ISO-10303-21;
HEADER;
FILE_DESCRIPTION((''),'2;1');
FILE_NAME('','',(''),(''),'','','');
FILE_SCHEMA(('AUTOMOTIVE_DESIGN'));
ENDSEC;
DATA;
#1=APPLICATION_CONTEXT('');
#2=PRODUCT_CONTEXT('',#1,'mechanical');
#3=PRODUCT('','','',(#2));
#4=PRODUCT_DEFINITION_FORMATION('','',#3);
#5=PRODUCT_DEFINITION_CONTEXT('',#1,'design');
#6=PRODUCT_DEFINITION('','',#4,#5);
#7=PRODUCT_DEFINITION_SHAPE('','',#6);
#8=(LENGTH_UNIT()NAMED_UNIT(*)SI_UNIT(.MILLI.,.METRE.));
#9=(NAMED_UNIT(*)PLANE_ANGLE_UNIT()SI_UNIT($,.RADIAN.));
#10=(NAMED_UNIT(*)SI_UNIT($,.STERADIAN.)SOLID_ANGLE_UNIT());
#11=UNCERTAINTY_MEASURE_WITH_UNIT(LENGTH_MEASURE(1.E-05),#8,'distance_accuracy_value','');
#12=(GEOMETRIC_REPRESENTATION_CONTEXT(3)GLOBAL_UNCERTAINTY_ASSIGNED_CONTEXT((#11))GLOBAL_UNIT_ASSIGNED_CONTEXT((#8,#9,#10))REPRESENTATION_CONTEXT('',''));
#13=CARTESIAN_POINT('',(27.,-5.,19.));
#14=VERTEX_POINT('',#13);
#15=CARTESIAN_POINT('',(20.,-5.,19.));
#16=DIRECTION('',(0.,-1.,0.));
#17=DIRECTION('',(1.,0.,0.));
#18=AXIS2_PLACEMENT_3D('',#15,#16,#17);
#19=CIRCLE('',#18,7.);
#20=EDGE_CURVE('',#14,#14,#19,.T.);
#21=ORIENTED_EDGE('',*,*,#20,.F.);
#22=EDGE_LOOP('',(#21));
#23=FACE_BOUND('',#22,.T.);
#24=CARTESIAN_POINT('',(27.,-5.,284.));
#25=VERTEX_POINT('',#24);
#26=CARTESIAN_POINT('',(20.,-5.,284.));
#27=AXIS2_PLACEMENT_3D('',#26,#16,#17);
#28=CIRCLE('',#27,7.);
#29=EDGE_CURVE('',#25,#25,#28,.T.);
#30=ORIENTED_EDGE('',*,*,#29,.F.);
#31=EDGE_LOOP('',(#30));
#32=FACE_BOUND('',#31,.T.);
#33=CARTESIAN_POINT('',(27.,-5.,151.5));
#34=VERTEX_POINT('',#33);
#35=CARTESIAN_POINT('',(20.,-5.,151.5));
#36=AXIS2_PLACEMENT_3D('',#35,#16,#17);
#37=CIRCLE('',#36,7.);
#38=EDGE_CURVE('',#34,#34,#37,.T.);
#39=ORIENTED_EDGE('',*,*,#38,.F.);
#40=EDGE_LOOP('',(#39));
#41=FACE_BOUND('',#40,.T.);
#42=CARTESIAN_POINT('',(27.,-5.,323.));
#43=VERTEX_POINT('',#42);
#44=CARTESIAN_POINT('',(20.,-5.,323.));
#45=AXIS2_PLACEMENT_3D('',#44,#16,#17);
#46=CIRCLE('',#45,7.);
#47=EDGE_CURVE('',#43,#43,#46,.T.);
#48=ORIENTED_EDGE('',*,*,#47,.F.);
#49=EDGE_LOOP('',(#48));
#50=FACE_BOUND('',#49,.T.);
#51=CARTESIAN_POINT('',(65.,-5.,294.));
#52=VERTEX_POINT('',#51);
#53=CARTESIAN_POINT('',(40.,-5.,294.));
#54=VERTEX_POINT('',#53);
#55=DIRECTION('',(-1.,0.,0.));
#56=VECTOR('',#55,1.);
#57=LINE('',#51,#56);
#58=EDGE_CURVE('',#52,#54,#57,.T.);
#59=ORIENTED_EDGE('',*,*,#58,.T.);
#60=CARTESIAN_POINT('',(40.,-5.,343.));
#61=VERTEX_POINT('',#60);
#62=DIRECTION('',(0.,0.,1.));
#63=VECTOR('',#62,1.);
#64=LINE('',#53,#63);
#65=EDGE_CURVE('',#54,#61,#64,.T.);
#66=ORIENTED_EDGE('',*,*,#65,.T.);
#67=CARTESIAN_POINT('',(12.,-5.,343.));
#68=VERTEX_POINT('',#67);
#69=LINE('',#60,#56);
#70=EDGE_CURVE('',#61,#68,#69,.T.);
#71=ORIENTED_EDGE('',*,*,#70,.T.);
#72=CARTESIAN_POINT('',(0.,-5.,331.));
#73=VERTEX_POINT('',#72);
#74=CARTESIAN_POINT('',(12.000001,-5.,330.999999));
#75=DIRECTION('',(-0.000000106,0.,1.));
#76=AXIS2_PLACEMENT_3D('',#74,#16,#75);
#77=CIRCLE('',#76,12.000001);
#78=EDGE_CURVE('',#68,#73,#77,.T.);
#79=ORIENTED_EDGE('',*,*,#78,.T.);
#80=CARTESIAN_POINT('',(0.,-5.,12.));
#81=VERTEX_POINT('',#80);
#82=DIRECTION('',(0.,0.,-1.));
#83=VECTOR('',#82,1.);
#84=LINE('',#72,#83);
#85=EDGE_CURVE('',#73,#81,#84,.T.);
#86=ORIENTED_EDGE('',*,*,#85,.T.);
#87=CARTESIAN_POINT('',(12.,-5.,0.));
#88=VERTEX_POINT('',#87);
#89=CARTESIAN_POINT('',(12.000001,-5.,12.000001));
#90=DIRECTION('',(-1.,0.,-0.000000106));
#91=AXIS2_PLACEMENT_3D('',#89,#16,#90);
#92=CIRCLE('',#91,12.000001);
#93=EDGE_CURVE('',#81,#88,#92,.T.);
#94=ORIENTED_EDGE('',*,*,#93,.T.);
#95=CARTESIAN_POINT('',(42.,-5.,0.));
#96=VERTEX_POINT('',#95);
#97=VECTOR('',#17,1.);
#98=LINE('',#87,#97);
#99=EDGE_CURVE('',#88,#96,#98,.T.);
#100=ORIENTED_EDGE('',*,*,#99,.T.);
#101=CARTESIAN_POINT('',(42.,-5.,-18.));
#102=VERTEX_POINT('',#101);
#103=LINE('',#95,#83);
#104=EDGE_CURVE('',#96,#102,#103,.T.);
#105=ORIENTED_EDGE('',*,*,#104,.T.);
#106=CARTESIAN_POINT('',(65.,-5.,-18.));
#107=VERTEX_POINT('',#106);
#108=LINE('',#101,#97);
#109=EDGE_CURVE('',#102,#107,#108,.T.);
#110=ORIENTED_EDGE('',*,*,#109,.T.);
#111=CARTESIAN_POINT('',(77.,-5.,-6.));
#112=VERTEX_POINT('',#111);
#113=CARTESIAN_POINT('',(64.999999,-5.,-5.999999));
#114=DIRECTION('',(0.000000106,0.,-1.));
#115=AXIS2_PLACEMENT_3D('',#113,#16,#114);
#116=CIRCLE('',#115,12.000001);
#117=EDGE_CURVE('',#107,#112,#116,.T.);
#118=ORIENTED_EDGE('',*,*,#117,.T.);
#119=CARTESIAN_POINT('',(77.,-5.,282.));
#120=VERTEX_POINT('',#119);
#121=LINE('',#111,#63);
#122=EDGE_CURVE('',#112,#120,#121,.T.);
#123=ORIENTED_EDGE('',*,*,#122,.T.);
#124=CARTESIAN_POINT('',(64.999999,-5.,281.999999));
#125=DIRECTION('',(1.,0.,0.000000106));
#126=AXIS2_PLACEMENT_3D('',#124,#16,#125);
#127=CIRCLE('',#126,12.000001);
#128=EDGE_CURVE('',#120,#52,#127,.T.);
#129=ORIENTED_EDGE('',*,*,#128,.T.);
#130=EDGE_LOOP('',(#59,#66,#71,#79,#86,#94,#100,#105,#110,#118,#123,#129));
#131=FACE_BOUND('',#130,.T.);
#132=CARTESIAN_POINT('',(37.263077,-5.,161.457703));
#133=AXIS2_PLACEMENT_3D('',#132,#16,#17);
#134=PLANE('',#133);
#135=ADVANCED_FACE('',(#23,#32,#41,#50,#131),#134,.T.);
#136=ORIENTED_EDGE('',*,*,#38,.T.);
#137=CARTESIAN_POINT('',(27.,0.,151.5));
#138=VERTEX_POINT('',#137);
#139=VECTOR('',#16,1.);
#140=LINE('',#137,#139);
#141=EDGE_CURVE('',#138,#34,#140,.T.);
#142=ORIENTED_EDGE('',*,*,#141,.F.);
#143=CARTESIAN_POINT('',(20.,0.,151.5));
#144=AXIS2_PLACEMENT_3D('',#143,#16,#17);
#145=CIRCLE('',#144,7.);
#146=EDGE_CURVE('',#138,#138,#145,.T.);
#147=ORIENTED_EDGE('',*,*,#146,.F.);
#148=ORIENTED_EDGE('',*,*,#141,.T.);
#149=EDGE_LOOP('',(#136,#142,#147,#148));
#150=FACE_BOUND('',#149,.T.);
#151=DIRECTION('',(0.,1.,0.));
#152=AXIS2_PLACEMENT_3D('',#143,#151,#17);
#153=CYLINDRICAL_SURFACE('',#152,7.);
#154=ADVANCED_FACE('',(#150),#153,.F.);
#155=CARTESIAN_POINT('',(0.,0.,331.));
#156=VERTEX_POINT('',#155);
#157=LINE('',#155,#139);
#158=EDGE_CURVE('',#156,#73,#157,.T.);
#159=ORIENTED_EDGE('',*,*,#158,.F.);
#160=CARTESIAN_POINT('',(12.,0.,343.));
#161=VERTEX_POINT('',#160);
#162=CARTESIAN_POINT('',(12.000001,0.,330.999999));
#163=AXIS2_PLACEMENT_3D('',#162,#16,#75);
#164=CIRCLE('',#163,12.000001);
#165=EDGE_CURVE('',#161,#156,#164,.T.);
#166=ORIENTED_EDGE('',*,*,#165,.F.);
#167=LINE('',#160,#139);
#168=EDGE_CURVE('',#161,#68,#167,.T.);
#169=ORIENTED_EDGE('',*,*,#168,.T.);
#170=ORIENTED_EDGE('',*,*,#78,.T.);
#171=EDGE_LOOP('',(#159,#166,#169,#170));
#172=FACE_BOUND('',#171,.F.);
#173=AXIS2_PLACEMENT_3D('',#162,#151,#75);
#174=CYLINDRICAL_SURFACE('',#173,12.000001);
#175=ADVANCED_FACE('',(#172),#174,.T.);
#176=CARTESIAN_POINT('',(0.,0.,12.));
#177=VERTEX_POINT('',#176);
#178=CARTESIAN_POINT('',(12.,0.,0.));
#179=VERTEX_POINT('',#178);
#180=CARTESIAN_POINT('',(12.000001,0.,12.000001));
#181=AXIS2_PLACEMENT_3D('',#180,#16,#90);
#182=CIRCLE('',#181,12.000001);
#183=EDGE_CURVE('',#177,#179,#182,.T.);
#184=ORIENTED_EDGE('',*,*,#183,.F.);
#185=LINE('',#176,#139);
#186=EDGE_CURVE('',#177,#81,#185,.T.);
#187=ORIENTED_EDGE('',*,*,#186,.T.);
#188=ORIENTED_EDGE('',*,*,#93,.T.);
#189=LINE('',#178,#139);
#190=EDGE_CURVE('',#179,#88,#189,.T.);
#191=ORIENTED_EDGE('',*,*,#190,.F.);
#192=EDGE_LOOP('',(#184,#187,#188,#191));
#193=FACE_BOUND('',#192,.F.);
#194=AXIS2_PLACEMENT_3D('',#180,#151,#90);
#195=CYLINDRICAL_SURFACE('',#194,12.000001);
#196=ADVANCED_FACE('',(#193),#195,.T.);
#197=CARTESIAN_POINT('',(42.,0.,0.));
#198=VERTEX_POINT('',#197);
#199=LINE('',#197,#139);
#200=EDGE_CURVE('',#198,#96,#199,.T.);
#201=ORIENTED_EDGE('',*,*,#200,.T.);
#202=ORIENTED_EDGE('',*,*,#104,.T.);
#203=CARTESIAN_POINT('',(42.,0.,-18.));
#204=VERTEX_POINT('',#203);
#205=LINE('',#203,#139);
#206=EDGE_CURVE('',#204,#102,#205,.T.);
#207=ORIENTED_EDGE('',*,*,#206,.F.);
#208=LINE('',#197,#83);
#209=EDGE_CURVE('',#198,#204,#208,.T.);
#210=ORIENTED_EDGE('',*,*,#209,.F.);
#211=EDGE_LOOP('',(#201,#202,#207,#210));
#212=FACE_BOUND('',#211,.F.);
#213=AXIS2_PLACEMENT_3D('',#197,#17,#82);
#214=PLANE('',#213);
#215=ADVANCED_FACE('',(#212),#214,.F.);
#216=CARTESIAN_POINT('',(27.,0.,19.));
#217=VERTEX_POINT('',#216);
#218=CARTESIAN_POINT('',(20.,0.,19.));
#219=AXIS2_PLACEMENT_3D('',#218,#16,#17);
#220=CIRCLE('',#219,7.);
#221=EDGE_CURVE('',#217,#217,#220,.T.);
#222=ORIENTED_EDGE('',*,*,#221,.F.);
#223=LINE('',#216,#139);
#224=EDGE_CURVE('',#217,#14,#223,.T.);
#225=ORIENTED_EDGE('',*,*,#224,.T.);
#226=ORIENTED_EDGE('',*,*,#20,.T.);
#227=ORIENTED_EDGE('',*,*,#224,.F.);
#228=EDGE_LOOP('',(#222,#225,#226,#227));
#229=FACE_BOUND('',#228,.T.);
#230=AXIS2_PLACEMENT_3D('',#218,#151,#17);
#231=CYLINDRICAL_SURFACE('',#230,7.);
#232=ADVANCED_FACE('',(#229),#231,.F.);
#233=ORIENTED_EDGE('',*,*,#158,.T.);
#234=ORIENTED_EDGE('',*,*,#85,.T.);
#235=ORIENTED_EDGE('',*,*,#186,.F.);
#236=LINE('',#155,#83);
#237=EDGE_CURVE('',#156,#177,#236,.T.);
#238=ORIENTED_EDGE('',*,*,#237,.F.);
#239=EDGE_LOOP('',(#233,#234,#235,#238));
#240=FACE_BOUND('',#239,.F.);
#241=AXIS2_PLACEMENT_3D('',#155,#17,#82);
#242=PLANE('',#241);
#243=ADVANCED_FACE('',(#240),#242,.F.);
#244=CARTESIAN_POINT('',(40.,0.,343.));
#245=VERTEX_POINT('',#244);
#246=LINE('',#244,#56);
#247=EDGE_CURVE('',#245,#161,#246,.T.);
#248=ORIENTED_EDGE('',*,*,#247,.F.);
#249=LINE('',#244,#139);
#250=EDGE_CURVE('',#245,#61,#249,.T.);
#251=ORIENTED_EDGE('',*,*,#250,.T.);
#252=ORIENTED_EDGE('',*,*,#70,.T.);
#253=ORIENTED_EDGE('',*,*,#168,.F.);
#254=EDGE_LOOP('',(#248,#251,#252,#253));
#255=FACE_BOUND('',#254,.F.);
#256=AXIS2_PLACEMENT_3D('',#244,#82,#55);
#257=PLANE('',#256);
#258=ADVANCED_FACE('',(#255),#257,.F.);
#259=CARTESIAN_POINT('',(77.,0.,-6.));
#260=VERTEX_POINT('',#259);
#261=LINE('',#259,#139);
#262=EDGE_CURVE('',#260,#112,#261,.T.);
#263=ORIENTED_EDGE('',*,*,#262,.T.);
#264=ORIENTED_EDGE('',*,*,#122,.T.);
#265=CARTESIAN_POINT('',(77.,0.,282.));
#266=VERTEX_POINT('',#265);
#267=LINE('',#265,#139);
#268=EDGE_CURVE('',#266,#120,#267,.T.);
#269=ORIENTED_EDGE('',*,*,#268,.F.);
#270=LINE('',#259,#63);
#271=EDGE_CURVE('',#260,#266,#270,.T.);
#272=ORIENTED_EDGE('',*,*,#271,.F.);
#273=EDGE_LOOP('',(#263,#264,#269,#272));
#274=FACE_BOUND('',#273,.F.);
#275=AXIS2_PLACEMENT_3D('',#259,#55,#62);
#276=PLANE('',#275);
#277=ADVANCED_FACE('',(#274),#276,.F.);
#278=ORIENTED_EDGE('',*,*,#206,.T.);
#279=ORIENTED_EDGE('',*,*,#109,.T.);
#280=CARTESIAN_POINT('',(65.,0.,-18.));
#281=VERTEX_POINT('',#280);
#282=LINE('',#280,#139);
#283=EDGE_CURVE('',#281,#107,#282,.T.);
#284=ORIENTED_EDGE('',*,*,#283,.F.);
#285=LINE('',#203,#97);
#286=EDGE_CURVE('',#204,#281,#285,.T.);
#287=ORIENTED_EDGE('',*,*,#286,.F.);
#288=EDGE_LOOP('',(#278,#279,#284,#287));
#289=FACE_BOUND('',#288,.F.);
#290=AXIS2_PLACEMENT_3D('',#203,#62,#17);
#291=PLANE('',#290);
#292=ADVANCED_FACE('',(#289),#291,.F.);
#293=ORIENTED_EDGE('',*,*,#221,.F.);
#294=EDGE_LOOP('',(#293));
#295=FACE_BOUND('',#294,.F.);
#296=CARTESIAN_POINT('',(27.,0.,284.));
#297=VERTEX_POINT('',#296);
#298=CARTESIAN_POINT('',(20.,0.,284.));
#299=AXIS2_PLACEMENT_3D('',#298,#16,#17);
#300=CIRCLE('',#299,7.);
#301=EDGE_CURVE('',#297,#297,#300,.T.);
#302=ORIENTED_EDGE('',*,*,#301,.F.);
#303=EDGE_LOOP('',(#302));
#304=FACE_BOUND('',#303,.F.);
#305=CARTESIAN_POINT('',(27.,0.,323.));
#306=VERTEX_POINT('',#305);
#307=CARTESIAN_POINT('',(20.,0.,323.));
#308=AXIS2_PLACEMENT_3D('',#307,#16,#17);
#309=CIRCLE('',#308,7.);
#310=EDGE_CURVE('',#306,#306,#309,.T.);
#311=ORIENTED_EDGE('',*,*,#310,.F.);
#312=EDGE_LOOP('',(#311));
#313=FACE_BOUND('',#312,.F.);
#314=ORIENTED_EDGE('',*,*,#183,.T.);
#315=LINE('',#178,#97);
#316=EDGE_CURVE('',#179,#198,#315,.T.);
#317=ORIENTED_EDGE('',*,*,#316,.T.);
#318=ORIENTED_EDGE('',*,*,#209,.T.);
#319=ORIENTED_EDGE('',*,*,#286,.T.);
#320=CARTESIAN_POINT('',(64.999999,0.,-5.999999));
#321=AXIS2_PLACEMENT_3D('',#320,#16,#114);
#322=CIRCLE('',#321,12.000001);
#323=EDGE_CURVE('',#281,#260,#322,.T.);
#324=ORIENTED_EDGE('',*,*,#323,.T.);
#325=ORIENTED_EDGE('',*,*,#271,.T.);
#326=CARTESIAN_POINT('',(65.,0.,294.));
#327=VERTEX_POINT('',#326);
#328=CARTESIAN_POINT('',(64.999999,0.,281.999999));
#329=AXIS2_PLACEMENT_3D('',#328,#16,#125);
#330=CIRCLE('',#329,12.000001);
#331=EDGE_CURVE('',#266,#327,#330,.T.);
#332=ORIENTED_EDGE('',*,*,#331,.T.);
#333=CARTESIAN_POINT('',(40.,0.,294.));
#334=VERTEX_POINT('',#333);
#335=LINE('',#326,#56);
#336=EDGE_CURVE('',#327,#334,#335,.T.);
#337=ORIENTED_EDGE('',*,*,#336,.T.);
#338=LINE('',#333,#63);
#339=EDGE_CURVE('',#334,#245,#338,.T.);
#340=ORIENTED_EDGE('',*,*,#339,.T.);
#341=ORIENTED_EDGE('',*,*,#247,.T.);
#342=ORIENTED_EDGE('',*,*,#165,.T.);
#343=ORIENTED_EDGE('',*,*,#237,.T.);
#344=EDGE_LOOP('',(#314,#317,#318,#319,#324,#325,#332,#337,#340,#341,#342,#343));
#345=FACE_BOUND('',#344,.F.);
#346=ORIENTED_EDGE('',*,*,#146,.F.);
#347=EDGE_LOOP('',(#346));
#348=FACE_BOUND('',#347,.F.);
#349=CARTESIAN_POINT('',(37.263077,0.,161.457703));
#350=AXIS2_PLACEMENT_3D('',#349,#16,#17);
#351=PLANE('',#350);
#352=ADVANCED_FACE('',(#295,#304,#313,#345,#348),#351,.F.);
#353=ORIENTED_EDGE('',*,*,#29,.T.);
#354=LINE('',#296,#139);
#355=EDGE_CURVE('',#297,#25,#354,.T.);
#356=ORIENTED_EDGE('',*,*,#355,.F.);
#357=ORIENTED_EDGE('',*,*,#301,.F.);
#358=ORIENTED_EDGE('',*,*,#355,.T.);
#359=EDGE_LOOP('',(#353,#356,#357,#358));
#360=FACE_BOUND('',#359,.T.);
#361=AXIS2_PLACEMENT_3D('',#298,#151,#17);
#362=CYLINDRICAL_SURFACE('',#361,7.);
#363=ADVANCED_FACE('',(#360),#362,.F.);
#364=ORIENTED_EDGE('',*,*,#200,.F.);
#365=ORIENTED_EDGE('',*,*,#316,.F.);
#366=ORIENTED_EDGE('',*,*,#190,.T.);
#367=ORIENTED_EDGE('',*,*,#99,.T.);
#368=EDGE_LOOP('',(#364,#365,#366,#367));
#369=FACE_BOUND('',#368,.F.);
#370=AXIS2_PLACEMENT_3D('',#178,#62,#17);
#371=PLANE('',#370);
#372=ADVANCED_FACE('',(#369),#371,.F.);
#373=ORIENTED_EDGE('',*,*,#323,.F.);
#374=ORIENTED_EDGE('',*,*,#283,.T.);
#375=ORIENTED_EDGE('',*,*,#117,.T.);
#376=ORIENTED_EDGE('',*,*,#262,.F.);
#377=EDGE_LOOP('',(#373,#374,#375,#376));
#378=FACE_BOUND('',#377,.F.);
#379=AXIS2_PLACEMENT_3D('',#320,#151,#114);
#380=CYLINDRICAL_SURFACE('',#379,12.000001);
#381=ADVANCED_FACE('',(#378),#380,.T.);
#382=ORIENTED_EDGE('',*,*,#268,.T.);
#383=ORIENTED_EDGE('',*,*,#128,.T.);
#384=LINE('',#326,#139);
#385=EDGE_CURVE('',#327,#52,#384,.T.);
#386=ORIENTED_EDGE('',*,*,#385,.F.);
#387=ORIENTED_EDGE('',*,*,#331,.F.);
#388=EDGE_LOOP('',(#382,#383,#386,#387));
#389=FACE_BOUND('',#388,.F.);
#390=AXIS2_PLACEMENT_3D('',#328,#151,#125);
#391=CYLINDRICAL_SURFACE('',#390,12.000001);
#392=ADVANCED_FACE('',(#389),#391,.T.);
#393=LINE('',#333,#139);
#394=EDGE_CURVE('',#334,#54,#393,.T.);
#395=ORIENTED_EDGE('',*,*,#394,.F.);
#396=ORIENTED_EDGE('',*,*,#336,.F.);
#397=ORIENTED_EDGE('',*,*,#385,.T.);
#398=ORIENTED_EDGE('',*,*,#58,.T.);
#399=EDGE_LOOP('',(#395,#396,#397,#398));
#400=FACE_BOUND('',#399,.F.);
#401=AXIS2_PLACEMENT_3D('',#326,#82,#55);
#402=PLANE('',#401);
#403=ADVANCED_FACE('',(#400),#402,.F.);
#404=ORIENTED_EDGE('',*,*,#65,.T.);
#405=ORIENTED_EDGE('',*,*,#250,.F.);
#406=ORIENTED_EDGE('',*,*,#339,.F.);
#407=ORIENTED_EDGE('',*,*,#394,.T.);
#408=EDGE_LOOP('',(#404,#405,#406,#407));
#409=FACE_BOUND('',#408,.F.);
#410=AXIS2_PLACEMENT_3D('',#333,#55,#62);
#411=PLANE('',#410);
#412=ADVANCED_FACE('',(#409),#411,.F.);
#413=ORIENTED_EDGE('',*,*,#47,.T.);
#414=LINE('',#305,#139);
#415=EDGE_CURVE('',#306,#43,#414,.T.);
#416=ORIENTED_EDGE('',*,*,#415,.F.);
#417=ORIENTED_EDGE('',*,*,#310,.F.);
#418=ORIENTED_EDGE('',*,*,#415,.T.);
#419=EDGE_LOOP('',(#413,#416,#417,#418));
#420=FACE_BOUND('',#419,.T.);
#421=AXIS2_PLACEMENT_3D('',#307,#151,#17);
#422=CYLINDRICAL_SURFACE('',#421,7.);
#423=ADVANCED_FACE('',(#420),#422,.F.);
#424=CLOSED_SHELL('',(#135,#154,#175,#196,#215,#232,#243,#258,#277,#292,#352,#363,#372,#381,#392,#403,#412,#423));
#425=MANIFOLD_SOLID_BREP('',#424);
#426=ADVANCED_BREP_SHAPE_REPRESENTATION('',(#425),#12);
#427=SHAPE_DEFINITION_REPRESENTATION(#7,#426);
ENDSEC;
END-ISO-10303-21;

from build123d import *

# Parameters (mm, degrees)
F0_R     = 7
F1_DEPTH = 5


with BuildPart() as f1:
    # F0 (on Front) → F1 (new body)
    with BuildSketch(Plane.XZ):
        with BuildLine():
            Line((0, 331), (0, 12))
            ThreePointArc((0, 12), (3.514719, 3.514719), (12, 0))
            Line((12, 0), (42, 0))
            Line((42, 0), (42, -18))
            Line((42, -18), (65, -18))
            ThreePointArc((65, -18), (73.485281, -14.485281), (77, -6))
            Line((77, -6), (77, 282))
            ThreePointArc((77, 282), (73.485281, 290.485281), (65, 294))
            Line((65, 294), (40, 294))
            Line((40, 294), (40, 343))
            Line((40, 343), (12, 343))
            ThreePointArc((12, 343), (3.514719, 339.485281), (0, 331))
        make_face()
        with Locations((20, 19)):
            Circle(F0_R, mode=Mode.SUBTRACT)
        with Locations((20, 151.5)):
            Circle(F0_R, mode=Mode.SUBTRACT)
        with Locations((20, 284)):
            Circle(F0_R, mode=Mode.SUBTRACT)
        with Locations((20, 323)):
            Circle(F0_R, mode=Mode.SUBTRACT)
    extrude(amount=F1_DEPTH)


solid = f1.part
